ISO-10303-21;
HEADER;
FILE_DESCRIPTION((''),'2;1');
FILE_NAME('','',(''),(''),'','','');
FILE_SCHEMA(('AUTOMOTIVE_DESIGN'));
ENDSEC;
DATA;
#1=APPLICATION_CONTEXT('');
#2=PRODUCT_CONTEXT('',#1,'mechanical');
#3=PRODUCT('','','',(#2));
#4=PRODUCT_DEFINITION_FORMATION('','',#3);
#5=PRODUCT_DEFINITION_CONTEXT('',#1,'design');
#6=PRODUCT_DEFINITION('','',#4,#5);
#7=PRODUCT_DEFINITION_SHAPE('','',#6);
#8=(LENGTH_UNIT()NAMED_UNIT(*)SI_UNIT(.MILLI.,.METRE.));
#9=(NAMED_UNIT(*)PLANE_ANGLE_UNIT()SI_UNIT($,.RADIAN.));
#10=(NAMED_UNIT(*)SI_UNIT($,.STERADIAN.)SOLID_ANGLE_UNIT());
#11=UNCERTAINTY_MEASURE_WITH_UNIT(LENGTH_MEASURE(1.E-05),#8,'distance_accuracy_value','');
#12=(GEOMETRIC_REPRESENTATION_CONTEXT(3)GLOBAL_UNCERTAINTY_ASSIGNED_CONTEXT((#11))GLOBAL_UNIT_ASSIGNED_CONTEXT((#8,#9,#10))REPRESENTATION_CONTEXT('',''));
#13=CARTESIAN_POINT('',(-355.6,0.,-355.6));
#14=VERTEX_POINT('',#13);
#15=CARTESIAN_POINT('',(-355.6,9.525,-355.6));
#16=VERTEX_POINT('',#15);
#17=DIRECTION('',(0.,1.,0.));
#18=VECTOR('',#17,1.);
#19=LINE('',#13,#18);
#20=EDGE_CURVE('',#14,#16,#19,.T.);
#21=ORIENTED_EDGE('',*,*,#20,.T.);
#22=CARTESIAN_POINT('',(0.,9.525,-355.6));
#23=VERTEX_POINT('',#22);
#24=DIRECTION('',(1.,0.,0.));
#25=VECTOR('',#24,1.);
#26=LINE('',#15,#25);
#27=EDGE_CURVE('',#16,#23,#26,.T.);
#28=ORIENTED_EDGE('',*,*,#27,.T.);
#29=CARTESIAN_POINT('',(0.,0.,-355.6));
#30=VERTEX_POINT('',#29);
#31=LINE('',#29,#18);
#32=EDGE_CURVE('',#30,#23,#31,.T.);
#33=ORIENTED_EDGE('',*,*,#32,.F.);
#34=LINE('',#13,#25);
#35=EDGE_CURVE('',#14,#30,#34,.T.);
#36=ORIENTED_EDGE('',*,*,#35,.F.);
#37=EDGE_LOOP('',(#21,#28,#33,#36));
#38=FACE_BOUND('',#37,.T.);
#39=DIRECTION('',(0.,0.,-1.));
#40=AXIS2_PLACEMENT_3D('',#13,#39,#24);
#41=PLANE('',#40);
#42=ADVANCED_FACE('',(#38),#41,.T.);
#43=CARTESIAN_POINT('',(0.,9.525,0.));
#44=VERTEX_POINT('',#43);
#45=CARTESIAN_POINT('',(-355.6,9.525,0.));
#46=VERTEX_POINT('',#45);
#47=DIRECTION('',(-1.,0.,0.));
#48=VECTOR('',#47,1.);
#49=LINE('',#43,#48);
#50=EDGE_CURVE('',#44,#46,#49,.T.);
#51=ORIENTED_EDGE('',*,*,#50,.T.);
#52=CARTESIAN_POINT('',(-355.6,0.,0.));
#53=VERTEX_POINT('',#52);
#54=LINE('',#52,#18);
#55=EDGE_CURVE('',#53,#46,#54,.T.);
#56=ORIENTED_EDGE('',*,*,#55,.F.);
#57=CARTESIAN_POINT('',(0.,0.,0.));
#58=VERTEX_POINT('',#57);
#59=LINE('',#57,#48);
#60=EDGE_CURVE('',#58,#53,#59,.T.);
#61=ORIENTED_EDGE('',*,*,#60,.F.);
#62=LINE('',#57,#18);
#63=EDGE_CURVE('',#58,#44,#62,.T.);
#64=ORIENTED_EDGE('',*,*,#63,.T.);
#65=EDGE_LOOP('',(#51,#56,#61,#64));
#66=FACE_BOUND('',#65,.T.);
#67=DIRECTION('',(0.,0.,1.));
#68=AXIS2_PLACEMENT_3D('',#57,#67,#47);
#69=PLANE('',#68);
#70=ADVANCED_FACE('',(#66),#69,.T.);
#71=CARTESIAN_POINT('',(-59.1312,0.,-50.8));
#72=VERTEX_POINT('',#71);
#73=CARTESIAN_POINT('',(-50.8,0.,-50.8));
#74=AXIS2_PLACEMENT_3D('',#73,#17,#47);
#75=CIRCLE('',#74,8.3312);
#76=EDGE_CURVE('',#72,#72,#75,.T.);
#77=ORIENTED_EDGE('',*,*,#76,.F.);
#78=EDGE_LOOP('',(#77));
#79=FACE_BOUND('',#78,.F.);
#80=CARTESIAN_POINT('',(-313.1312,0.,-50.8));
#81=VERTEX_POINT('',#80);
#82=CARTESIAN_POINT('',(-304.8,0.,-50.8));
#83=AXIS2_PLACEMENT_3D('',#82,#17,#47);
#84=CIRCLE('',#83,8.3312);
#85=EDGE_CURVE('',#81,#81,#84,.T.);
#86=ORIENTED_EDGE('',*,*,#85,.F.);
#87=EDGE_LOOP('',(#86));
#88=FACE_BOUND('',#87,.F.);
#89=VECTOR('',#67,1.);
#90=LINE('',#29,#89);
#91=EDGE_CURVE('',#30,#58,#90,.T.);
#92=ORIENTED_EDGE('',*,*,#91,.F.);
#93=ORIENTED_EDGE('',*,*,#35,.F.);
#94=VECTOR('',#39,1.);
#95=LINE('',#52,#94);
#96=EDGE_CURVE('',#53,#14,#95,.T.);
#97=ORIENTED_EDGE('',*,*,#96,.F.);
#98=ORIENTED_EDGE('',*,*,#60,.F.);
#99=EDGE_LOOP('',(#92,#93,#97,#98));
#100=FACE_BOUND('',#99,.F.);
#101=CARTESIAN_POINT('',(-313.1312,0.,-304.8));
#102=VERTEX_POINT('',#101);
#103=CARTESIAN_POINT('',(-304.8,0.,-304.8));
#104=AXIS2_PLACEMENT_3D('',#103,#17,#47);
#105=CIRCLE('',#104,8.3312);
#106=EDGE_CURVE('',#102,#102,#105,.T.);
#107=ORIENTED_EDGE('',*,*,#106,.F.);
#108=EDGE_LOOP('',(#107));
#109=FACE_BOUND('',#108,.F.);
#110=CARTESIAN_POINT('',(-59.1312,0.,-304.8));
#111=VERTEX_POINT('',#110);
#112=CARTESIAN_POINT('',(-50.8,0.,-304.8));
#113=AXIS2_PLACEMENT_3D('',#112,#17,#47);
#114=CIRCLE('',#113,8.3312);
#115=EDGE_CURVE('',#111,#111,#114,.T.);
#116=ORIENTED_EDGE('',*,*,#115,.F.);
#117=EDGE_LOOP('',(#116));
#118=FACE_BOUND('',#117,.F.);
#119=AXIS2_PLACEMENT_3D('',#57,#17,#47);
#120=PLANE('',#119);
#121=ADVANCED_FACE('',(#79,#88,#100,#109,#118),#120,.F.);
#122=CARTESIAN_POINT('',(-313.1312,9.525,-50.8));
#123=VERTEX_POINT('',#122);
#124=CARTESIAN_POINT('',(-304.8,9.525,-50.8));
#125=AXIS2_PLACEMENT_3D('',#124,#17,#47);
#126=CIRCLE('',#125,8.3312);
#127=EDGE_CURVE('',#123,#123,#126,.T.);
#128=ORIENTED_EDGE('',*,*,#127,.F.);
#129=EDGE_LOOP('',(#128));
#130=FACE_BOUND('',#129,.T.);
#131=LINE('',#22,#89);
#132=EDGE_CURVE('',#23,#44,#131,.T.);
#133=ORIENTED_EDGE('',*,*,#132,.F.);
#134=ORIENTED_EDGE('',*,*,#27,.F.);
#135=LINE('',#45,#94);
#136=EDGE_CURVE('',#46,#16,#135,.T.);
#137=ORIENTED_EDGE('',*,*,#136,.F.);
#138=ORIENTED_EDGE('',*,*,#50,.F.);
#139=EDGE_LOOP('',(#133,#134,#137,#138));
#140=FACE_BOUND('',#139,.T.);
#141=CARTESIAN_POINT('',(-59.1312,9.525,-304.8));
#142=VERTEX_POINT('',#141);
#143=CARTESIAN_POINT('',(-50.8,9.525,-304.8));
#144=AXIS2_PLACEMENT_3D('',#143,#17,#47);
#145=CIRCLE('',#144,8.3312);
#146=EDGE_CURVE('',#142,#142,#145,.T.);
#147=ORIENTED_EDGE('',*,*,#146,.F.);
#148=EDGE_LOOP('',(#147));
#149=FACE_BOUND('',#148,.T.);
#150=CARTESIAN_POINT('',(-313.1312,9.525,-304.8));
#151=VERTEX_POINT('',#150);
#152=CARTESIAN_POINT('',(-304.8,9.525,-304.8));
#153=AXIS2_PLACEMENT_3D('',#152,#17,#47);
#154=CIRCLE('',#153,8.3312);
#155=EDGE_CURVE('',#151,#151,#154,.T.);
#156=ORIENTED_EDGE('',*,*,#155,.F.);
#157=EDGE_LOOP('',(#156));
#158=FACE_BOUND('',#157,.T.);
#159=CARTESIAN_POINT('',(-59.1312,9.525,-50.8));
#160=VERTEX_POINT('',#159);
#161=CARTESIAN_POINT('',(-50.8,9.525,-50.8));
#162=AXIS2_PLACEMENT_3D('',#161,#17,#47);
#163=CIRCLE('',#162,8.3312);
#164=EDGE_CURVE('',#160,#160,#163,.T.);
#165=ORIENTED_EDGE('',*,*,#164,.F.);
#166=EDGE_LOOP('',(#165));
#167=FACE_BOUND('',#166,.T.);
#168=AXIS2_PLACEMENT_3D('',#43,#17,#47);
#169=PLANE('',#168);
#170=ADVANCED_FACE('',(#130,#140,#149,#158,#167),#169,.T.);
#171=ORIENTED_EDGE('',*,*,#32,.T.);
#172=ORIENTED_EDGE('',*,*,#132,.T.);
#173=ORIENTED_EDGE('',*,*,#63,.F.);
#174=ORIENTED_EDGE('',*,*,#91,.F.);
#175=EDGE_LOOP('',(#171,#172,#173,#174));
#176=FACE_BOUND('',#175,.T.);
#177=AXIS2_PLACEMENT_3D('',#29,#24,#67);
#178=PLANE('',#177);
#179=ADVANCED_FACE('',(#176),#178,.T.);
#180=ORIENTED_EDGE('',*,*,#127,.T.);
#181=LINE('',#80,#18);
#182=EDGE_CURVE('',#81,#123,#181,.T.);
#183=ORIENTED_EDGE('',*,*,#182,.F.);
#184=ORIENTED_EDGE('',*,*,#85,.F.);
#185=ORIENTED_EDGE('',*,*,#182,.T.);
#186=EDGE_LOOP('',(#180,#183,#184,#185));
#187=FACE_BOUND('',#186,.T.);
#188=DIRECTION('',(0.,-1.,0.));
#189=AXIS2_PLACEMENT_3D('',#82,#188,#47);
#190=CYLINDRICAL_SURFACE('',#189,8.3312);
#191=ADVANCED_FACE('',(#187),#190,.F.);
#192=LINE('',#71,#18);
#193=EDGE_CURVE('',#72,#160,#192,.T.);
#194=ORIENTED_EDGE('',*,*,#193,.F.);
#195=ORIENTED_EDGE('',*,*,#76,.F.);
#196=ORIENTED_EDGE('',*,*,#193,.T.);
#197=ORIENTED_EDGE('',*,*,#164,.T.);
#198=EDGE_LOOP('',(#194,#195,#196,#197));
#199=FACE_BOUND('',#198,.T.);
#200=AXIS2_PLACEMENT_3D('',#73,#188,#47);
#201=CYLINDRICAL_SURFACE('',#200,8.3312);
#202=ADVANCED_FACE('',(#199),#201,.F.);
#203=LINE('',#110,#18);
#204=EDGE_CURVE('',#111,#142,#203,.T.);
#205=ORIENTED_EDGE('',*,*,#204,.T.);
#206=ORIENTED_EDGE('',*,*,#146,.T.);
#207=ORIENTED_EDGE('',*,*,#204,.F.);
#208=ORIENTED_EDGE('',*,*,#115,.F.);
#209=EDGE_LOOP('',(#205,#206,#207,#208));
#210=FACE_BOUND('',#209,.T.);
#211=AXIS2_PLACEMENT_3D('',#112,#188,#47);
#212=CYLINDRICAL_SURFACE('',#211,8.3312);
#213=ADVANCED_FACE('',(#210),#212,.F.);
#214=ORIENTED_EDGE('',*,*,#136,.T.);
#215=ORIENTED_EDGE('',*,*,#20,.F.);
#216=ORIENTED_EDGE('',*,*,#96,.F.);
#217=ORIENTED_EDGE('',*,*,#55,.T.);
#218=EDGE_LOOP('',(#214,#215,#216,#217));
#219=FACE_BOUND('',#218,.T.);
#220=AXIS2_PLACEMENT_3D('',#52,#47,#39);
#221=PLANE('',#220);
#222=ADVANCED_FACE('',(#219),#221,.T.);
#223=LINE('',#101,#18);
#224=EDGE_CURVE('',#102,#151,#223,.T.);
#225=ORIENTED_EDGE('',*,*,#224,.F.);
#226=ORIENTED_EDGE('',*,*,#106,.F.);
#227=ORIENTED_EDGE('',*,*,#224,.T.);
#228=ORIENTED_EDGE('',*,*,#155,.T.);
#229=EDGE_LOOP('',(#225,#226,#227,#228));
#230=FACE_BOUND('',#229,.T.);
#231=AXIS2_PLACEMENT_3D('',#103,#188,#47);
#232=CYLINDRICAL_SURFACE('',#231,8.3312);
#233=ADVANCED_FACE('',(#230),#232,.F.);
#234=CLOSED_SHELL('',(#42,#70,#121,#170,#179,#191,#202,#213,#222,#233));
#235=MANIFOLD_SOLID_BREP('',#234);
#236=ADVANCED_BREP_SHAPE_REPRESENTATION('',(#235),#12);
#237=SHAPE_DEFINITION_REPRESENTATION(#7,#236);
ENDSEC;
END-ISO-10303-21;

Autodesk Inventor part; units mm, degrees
ref_plane "YZ Plane" through (0, 0, 0) normal (1, 0, 0) x (0, 1, 0)
ref_plane "XZ Plane" through (0, 0, 0) normal (0, 1, 0) x (-1, 0, 0)
ref_plane "XY Plane" through (0, 0, 0) normal (0, 0, 1) x (1, 0, 0)
sketch "Sketch1" plane through (0, 0, 0) normal (0, 1, 0) x (-1, 0, 0)
  line L0 (0, 0) -> (355.6, 0)
  line L1 (355.6, 0) -> (355.6, -355.6)
  line L2 (355.6, -355.6) -> (0, -355.6)
  line L3 (0, -355.6) -> (0, 0)
  circle A0 centre (304.8, -304.8) radius 8.3312
  circle A1 centre (304.8, -50.8) radius 8.3312
  circle A2 centre (50.8, -304.8) radius 8.3312
  circle A3 centre (50.8, -50.8) radius 8.3312
  dimension "d0" = 355.6
  dimension "d1" = 355.6
  dimension "d2" = 16.6624
  dimension "d3" = 50.8
  dimension "d4" = 50.8
extrude "Extrusion1" add sketch "Sketch1" along normal blind 9.525
properties part number "21015-22-1-1- Floor Plate" material "Steel, Carbon"
